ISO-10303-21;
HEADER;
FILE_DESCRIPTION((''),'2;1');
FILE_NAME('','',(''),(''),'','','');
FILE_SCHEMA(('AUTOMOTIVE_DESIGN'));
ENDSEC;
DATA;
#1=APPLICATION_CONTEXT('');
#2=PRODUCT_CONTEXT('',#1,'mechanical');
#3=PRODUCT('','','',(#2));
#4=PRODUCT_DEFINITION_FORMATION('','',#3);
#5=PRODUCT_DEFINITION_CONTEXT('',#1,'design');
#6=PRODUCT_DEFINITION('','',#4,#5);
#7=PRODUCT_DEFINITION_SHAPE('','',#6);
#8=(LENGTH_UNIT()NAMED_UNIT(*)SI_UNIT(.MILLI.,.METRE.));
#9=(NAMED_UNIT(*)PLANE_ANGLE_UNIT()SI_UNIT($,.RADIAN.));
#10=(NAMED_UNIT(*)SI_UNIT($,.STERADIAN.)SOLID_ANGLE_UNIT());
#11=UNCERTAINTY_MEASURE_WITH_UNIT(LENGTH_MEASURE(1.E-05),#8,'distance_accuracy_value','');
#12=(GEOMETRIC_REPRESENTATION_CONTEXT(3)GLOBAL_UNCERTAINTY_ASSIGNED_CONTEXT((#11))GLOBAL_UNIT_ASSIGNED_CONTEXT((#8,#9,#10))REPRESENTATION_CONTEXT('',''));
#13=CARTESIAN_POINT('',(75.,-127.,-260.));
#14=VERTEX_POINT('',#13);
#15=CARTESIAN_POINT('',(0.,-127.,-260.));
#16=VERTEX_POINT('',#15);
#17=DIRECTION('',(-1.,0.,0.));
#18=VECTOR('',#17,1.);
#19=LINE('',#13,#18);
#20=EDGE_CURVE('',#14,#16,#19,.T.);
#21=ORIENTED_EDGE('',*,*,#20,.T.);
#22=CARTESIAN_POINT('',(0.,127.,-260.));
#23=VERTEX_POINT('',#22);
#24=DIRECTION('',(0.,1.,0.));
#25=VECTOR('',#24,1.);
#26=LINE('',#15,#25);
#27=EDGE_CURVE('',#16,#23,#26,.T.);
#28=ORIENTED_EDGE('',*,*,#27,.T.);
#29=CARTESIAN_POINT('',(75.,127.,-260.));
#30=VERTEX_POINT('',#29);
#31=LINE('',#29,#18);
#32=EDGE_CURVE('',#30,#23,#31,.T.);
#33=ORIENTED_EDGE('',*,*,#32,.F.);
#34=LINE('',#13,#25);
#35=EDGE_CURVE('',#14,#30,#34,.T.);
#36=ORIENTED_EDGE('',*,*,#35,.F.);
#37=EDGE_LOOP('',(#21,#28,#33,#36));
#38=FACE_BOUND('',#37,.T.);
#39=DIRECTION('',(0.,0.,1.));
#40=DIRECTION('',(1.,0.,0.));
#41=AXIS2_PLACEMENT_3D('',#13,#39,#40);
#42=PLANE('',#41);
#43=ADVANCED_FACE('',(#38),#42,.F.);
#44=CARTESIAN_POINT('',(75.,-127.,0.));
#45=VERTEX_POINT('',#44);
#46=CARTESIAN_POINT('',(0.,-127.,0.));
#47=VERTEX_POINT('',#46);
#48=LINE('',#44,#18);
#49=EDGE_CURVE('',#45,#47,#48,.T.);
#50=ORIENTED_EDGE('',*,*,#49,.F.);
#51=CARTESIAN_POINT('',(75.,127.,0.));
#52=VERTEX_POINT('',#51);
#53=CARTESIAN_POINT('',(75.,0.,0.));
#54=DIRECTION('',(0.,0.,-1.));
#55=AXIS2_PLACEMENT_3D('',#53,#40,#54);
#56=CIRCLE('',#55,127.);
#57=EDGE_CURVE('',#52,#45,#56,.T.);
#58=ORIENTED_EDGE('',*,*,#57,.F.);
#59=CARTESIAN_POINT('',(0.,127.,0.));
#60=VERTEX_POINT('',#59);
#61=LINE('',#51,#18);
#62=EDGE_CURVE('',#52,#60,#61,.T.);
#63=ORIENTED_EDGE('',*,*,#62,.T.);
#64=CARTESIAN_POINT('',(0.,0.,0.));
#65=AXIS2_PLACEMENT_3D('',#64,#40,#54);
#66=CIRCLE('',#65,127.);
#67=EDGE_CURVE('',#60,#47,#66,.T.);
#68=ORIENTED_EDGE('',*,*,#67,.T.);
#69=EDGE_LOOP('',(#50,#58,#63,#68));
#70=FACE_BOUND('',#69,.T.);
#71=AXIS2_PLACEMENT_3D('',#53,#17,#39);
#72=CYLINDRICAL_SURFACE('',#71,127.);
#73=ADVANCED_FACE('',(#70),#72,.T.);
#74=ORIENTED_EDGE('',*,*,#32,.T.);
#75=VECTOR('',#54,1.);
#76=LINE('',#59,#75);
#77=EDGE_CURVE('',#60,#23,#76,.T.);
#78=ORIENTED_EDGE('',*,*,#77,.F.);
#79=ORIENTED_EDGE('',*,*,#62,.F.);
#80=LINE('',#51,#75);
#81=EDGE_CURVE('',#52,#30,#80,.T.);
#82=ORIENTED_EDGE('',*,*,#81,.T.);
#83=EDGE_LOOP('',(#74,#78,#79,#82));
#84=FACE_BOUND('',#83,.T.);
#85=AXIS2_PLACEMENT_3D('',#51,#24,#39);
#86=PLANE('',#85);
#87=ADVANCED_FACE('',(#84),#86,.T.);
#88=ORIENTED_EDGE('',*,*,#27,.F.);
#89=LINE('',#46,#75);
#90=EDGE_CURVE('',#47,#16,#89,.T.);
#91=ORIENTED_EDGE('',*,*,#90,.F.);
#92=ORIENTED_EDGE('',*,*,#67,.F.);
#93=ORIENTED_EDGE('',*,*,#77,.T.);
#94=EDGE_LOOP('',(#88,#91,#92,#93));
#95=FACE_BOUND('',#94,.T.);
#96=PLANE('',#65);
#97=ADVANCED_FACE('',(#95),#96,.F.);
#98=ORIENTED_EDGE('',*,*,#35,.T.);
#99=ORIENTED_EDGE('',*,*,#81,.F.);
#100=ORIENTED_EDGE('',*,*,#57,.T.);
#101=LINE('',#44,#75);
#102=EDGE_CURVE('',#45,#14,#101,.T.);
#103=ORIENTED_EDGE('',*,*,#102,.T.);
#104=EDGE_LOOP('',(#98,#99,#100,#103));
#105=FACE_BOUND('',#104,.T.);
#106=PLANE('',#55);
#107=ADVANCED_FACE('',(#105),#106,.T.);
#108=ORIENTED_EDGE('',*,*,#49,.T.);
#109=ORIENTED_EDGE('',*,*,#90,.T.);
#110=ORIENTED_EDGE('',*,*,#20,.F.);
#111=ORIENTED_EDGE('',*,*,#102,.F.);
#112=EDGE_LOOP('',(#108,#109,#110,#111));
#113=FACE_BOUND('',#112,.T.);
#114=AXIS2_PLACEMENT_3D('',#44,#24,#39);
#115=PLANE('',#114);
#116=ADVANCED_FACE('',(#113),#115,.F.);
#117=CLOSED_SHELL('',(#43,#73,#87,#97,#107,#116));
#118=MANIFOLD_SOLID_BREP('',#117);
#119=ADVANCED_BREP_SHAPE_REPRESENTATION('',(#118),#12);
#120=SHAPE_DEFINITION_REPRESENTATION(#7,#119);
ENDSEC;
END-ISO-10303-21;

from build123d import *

# Parameters (mm, degrees)
BOSS_EXTRUDE1_DEPTH = 75


with BuildPart() as part:
    # Sketch1 → Boss-Extrude1 (new body)
    with BuildSketch(Plane.YZ):
        with BuildLine():
            Line((-127, 0), (-127, -260))
            Line((-127, -260), (127, -260))
            Line((127, -260), (127, 0))
            ThreePointArc((127, 0), (0, 127), (-127, 0))
        make_face()
    extrude(amount=BOSS_EXTRUDE1_DEPTH)


solid = part.part
